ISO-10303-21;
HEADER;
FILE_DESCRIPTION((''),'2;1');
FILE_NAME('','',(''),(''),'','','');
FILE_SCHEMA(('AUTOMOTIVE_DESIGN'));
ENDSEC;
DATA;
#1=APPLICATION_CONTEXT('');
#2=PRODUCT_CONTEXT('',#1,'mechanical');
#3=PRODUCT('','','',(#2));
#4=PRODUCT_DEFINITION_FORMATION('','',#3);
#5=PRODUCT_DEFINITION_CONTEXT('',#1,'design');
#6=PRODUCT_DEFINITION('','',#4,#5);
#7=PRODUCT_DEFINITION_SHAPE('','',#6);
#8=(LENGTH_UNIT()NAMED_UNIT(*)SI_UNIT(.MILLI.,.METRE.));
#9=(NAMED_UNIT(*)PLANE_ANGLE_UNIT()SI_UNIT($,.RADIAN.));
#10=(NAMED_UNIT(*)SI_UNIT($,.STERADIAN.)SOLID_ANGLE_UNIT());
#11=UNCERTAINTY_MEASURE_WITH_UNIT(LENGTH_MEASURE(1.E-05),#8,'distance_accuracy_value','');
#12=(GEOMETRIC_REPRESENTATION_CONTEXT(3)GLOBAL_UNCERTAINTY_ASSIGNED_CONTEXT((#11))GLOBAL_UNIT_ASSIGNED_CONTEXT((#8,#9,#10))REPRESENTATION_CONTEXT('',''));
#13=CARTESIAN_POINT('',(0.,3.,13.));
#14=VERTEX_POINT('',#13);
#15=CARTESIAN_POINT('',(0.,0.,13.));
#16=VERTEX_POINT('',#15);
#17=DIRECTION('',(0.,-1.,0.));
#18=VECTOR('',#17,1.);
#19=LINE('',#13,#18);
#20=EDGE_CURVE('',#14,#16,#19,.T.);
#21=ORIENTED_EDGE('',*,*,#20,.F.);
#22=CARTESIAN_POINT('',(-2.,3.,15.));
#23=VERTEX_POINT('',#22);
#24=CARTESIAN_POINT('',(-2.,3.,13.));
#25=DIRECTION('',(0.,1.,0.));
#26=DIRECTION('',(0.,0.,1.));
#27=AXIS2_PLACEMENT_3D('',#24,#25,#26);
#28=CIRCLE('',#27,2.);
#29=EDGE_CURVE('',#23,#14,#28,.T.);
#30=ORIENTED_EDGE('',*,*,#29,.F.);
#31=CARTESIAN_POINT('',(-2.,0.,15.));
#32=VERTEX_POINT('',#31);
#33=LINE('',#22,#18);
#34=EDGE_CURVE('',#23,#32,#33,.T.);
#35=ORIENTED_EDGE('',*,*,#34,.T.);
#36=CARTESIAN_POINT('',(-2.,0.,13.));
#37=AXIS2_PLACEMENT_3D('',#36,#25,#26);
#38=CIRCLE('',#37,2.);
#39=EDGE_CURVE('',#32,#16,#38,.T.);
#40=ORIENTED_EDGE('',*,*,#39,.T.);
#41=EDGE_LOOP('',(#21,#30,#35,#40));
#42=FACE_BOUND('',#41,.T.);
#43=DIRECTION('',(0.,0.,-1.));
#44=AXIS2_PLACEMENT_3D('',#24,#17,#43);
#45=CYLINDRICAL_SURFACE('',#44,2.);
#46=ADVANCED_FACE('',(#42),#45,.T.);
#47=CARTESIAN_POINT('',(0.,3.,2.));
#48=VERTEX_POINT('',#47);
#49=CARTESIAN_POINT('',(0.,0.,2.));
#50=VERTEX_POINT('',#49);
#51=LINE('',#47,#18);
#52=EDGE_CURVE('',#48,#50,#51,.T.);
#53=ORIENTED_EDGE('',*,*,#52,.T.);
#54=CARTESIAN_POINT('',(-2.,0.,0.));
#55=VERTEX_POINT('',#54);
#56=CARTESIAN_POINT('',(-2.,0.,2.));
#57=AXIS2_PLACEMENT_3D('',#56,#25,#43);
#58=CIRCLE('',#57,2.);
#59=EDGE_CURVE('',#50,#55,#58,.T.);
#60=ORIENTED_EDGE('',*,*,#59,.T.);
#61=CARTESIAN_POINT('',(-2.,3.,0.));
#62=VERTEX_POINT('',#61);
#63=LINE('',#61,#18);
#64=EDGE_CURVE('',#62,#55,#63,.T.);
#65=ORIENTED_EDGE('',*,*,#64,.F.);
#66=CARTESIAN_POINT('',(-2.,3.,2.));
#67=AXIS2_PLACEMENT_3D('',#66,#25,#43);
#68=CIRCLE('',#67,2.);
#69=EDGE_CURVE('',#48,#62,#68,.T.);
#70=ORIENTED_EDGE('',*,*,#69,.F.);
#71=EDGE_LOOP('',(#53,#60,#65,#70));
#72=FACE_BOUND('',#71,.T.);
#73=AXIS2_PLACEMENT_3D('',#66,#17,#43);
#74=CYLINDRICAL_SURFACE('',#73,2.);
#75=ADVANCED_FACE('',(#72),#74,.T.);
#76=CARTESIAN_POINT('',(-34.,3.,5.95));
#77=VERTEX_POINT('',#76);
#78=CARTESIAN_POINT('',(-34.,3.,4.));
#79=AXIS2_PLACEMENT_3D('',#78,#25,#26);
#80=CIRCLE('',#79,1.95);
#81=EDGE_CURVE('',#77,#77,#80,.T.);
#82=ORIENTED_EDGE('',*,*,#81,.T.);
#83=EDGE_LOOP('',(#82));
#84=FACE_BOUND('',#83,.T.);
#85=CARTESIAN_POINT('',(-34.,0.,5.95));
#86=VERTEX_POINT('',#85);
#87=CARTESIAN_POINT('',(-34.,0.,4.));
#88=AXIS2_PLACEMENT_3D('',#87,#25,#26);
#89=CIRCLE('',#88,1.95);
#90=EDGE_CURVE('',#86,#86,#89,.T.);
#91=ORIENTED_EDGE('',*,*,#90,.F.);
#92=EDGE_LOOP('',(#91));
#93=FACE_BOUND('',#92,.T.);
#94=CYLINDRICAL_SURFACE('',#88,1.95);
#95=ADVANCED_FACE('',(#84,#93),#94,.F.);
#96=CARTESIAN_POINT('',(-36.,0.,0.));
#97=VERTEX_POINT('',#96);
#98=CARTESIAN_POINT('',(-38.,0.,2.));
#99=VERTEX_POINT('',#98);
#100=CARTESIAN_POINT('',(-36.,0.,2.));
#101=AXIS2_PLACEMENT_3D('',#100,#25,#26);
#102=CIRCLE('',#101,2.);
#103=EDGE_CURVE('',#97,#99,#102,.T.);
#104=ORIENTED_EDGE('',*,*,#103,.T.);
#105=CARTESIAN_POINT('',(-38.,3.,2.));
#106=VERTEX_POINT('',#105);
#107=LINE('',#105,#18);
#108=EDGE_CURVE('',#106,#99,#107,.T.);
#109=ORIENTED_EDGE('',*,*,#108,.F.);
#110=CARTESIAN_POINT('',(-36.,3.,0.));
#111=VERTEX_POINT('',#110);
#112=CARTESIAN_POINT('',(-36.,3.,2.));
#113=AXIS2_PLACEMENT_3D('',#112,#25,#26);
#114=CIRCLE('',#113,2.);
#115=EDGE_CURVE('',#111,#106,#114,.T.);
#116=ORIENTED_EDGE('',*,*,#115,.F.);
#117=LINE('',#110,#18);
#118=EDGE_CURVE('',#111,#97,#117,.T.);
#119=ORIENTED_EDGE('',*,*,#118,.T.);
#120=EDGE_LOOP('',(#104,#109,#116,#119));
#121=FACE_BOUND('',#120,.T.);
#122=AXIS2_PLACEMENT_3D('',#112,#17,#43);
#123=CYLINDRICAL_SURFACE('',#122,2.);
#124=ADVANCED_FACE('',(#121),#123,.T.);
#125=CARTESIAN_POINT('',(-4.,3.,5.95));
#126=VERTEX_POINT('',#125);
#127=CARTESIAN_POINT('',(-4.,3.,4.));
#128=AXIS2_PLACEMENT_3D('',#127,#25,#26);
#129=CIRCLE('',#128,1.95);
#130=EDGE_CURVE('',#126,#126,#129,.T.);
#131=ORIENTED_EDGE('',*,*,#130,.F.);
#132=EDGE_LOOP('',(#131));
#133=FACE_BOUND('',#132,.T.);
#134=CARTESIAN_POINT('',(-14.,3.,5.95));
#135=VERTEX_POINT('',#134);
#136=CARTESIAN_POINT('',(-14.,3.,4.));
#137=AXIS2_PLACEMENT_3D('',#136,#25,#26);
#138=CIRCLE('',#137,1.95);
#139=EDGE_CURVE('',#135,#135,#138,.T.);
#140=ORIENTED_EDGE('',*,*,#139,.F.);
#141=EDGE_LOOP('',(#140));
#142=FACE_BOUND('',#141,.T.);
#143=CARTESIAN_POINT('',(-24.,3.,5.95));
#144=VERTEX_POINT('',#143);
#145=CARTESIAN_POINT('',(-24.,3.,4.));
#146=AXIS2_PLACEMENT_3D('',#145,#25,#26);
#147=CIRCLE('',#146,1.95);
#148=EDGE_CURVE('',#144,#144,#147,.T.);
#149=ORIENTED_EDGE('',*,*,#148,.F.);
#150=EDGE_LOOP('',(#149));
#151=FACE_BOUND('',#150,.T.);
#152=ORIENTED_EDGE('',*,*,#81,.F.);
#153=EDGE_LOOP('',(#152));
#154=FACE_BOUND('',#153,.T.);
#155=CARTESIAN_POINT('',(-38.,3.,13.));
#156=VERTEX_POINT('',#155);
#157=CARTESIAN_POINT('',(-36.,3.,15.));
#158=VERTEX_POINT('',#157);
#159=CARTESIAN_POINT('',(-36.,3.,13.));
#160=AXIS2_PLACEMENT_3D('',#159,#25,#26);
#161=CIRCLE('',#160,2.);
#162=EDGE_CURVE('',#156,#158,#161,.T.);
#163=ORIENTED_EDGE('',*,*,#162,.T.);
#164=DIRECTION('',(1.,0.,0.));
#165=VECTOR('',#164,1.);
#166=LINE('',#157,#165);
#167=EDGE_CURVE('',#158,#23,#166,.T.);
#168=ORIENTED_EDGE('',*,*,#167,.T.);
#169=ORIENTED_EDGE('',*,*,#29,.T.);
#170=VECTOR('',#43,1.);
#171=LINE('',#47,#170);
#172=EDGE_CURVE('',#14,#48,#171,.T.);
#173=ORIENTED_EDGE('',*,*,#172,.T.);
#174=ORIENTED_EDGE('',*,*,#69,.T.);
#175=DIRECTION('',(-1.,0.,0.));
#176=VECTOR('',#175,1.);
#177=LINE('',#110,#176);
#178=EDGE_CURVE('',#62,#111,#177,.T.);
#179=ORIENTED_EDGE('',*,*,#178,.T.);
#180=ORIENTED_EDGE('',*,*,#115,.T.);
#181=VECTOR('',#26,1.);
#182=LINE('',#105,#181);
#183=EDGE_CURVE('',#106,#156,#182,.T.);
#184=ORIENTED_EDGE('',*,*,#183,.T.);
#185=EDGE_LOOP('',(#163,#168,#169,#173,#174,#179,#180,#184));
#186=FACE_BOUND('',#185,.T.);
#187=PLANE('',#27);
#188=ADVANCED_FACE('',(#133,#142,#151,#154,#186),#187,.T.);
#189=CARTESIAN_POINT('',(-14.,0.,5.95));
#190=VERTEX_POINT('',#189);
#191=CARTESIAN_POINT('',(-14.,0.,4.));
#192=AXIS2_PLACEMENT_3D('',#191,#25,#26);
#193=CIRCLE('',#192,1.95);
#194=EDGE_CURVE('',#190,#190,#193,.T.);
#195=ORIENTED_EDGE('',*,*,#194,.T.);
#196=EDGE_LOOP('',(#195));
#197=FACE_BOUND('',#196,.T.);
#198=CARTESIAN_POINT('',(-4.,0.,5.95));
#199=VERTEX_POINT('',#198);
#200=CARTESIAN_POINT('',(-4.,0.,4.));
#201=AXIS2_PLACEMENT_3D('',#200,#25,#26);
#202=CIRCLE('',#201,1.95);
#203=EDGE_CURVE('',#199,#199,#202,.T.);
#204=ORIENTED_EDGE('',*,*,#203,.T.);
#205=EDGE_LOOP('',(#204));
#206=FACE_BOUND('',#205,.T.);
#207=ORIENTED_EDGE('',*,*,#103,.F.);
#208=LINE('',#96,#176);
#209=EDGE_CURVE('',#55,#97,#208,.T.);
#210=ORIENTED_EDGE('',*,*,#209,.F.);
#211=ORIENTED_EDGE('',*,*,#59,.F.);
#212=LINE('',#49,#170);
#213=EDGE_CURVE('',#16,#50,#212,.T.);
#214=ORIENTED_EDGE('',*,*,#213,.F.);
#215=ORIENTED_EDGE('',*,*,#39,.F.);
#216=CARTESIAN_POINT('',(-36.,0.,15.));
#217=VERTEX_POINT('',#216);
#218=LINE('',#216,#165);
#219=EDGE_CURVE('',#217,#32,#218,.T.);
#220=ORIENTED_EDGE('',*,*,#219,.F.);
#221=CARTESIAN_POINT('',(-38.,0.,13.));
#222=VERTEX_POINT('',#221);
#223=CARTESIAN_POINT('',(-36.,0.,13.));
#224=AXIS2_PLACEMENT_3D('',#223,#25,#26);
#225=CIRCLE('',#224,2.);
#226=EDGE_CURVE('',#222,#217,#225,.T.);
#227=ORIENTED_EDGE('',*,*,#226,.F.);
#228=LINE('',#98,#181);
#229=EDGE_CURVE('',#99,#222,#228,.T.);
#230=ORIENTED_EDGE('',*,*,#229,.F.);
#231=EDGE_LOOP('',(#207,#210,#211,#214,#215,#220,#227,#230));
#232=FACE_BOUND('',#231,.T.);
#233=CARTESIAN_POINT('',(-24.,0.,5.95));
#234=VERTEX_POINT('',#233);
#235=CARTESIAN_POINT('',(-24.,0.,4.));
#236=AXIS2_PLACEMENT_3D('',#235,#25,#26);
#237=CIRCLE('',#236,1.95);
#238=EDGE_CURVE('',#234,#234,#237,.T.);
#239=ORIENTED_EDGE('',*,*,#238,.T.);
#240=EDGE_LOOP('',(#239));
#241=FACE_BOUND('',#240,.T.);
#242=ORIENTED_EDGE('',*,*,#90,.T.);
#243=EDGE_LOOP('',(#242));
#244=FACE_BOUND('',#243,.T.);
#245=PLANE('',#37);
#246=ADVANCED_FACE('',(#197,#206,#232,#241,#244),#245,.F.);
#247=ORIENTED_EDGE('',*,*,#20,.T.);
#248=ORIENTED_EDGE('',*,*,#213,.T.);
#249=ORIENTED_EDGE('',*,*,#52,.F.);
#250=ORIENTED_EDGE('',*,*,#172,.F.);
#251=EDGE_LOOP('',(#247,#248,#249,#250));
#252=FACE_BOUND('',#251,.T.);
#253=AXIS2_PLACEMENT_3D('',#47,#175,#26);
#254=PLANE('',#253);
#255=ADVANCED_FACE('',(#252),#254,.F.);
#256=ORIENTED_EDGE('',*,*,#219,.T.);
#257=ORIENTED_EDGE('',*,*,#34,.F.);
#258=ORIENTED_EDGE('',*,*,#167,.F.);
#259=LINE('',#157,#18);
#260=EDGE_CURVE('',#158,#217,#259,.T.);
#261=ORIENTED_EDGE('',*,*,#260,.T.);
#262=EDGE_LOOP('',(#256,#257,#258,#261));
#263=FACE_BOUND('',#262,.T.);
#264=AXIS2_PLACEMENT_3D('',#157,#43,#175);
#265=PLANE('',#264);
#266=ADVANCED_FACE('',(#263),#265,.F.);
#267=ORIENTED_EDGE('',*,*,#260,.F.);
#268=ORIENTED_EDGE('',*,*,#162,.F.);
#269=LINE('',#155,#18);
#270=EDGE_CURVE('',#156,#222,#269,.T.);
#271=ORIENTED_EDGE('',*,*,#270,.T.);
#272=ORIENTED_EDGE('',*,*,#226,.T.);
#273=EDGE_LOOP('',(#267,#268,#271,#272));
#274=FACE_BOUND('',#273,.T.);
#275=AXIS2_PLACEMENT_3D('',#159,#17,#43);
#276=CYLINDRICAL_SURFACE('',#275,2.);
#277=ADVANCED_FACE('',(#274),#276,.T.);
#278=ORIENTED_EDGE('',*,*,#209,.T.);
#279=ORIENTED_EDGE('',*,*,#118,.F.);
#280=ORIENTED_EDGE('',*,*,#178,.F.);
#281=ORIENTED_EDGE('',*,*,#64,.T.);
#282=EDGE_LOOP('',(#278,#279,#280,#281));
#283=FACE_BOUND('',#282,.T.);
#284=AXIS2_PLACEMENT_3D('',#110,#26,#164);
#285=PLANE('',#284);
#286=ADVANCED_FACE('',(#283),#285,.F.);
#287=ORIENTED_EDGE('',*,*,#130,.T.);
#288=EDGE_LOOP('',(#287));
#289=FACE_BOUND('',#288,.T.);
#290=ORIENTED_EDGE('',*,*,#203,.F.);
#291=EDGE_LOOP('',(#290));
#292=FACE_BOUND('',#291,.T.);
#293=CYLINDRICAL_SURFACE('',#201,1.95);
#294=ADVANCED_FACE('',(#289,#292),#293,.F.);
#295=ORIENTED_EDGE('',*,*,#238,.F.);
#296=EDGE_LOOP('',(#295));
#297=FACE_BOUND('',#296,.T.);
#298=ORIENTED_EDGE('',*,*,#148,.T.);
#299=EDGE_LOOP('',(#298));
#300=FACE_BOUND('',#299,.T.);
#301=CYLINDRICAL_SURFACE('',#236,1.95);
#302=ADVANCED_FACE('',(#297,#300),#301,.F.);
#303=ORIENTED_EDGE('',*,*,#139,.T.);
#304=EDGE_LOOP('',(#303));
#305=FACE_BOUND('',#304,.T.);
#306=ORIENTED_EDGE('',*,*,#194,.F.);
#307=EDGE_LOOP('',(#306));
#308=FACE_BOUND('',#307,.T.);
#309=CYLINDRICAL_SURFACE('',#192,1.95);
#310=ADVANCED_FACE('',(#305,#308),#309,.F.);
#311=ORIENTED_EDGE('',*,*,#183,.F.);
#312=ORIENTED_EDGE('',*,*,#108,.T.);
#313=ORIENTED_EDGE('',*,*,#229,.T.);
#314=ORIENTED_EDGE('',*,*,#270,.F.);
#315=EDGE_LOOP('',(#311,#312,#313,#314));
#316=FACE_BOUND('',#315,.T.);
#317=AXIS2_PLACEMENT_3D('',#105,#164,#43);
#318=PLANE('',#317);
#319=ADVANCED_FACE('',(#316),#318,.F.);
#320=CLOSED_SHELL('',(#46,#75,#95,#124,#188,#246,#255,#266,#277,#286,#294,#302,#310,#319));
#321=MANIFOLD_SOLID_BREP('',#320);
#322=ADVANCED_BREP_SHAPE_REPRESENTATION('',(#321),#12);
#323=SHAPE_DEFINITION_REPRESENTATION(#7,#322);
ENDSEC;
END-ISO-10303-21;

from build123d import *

# Parameters (mm, degrees)
BOSS_EXTRUDE1_DEPTH = 3
SKETCH2_R           = 1.95
CUT_EXTRUDE1_DEPTH  = 4


with BuildPart() as part:
    # Sketch1 → Boss-Extrude1 (new body)
    with BuildSketch(Plane(origin=(0, 0, 0), x_dir=(1, 0, 0), z_dir=(0, 1, 0))):
        with BuildLine():
            Line((-36, 0), (-2, 0))
            ThreePointArc((-2, 0), (-0.585786438, -0.585786438), (0, -2))
            Line((0, -2), (0, -13))
            ThreePointArc((0, -13), (-0.585786438, -14.414213562), (-2, -15))
            Line((-2, -15), (-36, -15))
            ThreePointArc((-36, -15), (-37.414213562, -14.414213562), (-38, -13))
            Line((-38, -13), (-38, -2))
            ThreePointArc((-38, -2), (-37.414213562, -0.585786438), (-36, 0))
        make_face()
    extrude(amount=BOSS_EXTRUDE1_DEPTH)

    # Sketch2 → Cut-Extrude1 (cut, through all)
    with BuildSketch(Plane(origin=(0, 3, 0), x_dir=(1, 0, 0), z_dir=(0, 1, 0))):
        with Locations((-4, -4)):
            Circle(SKETCH2_R)
        with Locations((-14, -4)):
            Circle(SKETCH2_R)
        with Locations((-24, -4)):
            Circle(SKETCH2_R)
        with Locations((-54, -4)):
            Circle(SKETCH2_R)
        with Locations((-34, -4)):
            Circle(SKETCH2_R)
        with Locations((-44, -4)):
            Circle(SKETCH2_R)
    extrude(amount=-CUT_EXTRUDE1_DEPTH, mode=Mode.SUBTRACT)


solid = part.part
